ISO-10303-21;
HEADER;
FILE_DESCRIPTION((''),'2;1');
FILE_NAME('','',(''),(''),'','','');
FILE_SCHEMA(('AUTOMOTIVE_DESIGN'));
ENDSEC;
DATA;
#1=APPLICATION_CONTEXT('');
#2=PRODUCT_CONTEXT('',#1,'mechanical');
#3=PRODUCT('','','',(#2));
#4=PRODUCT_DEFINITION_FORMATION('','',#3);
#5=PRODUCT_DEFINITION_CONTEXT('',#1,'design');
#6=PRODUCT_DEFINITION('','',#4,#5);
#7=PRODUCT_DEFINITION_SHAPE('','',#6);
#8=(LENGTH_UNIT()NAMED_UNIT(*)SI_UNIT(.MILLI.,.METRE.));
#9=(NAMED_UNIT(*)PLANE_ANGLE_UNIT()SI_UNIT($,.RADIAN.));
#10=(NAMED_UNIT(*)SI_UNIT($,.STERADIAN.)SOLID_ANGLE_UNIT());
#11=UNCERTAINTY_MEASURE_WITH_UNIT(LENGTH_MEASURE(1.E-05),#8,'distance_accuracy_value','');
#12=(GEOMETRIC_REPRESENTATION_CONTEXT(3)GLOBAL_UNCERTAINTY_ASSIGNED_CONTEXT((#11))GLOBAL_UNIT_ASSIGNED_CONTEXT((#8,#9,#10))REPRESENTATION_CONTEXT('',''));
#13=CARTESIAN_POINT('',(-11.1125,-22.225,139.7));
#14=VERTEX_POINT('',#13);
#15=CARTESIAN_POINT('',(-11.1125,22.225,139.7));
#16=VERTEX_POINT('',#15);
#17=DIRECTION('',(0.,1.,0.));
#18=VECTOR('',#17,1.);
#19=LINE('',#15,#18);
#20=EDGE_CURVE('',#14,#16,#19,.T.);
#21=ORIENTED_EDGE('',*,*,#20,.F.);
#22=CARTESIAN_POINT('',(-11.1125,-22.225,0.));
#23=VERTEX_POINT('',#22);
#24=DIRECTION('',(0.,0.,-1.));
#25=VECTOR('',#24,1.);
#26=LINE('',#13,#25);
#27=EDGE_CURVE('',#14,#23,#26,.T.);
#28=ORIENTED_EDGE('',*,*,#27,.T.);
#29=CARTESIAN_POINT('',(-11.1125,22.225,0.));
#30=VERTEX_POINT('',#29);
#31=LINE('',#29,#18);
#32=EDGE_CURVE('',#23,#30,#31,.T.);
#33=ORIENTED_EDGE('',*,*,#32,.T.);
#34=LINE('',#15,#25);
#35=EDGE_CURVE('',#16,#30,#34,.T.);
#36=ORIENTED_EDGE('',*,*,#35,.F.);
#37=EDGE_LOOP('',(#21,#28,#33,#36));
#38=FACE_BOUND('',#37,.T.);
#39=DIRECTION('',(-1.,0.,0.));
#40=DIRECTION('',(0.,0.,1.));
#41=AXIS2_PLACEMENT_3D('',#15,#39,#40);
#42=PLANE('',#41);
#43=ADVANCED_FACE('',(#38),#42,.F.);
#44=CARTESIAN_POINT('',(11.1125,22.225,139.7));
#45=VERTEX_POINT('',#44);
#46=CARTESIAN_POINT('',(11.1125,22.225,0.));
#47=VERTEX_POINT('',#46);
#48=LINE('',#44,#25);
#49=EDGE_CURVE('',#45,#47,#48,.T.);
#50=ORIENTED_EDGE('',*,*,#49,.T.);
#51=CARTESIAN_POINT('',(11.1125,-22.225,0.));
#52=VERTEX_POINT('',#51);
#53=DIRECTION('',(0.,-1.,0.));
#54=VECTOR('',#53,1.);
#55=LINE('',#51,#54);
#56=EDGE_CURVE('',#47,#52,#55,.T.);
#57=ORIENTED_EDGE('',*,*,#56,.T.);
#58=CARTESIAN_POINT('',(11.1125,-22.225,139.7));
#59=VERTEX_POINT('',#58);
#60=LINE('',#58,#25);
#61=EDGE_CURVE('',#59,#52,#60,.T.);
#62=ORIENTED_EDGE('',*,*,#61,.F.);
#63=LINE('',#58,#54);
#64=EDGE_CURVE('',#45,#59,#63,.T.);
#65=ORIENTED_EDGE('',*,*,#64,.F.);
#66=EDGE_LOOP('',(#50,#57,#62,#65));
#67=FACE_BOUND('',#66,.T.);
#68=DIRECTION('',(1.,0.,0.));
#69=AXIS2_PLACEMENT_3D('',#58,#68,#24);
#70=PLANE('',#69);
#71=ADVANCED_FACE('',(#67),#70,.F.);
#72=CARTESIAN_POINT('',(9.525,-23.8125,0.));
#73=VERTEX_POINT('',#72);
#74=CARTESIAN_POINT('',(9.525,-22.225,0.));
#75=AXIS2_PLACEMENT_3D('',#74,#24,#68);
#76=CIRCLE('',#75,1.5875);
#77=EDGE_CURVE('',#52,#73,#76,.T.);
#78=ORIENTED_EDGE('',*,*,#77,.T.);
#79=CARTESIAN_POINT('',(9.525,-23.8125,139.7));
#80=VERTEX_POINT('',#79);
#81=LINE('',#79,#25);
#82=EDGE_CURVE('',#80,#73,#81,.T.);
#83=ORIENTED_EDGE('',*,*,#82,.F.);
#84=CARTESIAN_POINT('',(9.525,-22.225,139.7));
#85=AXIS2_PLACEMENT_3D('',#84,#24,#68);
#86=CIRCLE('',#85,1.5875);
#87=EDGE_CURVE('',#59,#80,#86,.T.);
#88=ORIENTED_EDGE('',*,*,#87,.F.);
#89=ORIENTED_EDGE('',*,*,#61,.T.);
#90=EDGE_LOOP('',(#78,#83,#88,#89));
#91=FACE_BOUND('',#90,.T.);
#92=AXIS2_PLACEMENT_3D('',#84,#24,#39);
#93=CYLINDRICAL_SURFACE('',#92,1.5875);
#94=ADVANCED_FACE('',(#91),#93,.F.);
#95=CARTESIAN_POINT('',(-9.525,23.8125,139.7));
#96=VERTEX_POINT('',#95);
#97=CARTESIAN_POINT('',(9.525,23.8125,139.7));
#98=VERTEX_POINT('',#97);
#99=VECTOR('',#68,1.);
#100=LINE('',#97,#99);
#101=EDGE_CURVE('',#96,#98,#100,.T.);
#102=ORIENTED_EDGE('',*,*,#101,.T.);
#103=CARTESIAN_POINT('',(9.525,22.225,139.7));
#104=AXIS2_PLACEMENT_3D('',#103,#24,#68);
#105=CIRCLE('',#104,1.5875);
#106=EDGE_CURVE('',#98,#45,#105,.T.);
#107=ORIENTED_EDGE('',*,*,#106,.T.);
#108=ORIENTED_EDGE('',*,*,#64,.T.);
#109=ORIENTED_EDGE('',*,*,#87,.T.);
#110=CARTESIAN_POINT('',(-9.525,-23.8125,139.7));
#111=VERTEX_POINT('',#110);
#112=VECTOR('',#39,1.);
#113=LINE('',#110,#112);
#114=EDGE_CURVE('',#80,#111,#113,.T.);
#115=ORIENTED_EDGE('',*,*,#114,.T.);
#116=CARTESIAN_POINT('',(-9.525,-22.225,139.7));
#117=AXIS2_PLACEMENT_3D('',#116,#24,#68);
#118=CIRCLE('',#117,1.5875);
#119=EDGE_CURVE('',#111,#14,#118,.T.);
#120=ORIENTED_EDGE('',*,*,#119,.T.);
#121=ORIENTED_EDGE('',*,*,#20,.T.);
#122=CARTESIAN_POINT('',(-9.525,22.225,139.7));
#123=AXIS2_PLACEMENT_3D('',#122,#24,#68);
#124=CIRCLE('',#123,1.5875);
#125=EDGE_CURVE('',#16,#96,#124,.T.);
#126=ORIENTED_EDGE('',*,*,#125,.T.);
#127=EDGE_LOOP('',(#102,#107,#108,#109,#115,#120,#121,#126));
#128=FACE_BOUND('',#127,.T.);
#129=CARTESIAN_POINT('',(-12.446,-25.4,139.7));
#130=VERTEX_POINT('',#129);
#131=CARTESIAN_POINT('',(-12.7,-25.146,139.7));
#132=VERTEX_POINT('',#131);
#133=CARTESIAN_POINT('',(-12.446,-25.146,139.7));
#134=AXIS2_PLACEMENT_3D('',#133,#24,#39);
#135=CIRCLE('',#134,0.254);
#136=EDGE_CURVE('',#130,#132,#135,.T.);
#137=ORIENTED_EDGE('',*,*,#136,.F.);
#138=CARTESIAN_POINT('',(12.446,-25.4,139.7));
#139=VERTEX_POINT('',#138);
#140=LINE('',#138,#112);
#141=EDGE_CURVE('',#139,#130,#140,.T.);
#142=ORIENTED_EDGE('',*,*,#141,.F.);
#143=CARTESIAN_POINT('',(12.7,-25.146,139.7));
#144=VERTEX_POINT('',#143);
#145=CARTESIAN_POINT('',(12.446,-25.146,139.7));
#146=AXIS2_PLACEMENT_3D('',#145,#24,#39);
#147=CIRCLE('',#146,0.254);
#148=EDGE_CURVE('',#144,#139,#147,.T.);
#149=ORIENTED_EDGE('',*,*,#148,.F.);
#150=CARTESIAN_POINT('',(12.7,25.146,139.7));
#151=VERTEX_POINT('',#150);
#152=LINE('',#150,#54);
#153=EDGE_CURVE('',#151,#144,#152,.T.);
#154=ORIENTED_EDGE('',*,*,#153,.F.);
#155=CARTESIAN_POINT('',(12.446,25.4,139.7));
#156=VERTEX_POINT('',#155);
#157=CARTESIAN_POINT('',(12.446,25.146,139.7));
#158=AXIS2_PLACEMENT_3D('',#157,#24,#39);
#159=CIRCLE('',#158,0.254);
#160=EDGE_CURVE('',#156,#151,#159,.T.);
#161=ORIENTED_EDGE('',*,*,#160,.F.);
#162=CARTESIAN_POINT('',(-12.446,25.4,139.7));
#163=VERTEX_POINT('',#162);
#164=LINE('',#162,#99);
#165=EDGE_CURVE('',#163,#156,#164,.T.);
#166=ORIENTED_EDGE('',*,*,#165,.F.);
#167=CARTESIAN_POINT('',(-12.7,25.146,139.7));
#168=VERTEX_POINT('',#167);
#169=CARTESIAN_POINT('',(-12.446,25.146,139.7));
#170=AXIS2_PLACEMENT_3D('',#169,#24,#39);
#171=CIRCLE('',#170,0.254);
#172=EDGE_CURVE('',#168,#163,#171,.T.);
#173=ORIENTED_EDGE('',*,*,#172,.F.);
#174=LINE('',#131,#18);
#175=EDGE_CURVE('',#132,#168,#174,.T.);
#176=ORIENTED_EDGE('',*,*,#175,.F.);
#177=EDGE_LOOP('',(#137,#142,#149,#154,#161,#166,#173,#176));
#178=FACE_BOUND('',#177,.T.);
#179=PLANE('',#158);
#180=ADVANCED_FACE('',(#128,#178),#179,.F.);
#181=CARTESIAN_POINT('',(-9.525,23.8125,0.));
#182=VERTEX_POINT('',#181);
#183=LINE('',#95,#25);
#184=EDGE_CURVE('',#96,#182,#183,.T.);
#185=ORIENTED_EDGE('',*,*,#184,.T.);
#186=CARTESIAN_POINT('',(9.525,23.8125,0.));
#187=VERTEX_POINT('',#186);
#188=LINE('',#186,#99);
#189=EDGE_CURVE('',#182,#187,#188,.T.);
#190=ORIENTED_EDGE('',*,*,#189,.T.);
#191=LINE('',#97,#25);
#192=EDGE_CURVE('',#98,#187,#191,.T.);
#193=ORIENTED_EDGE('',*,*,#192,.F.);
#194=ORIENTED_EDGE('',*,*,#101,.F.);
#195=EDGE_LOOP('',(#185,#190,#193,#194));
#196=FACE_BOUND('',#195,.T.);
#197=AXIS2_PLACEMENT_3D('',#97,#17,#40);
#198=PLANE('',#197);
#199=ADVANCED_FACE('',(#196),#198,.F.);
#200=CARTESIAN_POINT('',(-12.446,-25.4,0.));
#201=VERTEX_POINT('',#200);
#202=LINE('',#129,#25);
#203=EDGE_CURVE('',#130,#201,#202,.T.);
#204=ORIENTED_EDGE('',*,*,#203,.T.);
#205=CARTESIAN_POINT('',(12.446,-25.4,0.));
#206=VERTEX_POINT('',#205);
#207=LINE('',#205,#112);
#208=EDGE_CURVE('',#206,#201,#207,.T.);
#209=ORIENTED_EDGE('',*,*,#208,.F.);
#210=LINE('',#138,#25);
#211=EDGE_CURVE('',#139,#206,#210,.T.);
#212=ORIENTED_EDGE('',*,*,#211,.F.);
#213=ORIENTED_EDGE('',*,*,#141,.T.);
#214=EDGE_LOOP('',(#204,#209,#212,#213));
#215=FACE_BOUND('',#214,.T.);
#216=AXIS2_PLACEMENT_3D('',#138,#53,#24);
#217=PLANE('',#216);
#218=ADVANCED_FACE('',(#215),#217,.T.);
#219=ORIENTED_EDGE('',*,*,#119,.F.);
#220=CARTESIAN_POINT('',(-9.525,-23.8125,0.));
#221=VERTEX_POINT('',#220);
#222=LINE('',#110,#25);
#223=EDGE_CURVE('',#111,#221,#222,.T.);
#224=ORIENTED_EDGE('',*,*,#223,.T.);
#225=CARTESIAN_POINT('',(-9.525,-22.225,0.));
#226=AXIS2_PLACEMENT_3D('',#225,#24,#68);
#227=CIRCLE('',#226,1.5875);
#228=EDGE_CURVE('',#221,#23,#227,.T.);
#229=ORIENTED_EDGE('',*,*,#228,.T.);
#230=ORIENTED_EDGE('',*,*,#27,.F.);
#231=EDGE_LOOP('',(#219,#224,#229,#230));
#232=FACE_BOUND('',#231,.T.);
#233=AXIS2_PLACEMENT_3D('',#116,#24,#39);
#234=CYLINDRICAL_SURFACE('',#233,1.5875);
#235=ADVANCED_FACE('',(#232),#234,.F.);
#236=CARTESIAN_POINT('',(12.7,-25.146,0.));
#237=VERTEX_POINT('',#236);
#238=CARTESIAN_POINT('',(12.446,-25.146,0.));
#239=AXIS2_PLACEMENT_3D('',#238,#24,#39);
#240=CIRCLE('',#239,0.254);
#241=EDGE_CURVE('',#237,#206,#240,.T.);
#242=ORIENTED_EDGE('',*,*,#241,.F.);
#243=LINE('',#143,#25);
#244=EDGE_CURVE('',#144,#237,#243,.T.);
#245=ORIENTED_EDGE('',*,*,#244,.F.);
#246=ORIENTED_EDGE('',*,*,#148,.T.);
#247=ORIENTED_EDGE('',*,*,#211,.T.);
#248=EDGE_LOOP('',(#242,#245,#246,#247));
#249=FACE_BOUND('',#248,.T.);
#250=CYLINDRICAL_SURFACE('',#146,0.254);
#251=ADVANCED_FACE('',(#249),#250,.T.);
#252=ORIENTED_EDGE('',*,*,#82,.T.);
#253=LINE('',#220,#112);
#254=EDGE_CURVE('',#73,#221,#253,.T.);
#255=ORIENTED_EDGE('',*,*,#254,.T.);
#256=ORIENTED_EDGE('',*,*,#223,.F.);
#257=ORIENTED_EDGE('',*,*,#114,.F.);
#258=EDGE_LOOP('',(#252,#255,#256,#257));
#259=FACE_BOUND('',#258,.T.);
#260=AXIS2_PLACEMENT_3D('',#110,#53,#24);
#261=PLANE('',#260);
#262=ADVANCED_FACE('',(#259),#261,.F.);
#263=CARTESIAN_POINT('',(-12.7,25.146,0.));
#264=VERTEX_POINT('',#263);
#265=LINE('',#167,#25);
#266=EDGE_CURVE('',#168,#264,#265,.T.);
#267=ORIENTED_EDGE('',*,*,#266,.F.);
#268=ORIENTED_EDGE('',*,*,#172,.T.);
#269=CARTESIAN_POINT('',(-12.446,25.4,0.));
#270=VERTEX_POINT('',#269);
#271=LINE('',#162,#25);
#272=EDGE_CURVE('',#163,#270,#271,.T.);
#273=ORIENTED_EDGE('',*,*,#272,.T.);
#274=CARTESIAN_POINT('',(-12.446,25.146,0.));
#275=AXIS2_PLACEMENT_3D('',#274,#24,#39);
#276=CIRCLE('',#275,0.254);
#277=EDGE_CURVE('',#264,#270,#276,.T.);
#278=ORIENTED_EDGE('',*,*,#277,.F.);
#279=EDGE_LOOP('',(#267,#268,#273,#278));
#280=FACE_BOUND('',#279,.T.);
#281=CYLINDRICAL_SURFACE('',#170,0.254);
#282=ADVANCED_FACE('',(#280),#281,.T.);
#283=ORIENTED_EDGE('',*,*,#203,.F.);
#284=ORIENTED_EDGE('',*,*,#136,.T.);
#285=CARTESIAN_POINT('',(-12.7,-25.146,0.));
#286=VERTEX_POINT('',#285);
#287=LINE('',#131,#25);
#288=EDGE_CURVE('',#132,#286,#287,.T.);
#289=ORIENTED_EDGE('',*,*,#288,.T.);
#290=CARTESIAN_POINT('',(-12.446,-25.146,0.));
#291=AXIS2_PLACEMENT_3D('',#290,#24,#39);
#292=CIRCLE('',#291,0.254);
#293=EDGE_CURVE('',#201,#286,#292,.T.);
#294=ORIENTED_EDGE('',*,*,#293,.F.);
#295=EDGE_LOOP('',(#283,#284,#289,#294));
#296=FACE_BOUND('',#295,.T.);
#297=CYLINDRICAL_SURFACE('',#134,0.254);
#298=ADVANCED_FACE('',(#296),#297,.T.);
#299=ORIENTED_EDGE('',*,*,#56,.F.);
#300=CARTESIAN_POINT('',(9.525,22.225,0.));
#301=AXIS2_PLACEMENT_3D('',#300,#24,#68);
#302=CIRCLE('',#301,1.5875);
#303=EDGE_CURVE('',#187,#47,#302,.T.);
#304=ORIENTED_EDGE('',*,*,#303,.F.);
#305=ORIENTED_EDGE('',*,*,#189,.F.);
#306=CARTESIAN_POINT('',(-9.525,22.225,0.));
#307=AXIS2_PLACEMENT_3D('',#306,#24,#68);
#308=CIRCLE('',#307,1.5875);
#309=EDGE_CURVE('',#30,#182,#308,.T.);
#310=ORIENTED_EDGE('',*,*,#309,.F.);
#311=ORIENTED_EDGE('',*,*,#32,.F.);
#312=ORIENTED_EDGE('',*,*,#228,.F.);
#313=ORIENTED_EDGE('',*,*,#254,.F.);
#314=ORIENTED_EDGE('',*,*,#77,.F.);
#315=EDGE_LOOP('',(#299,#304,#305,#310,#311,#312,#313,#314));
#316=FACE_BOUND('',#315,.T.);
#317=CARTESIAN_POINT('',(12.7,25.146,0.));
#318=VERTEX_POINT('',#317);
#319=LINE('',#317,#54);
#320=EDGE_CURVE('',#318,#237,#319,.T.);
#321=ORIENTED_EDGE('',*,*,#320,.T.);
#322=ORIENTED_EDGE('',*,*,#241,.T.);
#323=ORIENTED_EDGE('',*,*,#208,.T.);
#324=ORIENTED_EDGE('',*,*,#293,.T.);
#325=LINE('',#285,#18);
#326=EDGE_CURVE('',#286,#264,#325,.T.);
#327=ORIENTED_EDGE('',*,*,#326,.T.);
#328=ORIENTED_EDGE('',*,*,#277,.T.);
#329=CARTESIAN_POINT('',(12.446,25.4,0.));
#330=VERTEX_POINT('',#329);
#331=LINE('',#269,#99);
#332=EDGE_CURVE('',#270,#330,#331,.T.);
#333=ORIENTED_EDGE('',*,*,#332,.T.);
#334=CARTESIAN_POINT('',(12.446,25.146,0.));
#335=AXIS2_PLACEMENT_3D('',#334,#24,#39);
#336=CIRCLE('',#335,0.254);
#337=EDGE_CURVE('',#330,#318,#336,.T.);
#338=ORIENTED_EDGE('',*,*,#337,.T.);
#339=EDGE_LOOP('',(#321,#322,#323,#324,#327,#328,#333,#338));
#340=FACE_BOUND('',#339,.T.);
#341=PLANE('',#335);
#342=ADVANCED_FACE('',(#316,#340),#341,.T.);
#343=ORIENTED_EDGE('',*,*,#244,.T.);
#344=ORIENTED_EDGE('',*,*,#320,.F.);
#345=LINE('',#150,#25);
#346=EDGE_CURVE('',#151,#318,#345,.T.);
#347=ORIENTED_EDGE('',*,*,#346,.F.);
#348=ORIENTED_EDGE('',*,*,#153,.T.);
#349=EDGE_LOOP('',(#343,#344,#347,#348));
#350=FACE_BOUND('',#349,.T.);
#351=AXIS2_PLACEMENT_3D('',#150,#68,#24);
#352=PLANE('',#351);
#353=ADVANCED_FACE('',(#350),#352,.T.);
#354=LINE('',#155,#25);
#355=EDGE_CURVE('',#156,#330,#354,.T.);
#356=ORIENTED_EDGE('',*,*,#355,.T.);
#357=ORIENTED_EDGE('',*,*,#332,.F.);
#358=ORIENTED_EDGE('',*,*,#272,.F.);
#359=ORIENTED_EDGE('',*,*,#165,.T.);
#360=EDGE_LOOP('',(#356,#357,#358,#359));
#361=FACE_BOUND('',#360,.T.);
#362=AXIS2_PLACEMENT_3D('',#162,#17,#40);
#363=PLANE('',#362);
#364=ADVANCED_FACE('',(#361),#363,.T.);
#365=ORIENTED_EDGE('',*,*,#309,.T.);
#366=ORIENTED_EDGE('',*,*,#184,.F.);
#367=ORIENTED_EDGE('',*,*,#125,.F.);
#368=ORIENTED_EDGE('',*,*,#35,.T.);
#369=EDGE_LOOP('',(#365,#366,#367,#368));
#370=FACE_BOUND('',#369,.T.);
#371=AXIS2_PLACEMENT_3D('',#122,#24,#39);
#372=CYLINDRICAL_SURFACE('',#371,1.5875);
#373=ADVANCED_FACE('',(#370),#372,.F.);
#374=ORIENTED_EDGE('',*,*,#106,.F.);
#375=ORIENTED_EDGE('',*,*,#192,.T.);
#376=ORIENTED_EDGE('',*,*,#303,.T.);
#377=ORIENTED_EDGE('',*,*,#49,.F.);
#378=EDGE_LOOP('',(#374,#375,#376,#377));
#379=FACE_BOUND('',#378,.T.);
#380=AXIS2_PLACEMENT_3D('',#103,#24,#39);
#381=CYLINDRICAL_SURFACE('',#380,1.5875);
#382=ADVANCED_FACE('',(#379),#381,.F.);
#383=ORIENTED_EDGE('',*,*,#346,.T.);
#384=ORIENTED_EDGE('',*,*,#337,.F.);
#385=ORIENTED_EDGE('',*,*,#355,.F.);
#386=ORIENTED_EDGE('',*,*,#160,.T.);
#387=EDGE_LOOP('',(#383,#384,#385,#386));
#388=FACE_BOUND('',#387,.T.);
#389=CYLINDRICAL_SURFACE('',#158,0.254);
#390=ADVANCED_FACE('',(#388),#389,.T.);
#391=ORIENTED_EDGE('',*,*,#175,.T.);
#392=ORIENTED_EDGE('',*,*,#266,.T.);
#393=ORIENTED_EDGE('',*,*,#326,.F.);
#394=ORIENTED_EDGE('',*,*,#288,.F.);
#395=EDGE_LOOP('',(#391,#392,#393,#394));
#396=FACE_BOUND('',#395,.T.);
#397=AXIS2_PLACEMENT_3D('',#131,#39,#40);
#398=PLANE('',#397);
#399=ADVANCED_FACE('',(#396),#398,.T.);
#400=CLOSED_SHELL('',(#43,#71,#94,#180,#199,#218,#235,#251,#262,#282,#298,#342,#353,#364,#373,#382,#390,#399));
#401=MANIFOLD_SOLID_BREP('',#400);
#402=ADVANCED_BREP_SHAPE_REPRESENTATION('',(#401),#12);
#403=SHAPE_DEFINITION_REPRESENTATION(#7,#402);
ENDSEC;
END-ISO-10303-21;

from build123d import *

# Parameters (mm, degrees)
BOSS_EXTRUDE1_DEPTH = 139.7


with BuildPart() as part:
    # Sketch1 → Boss-Extrude1 (new body)
    with BuildSketch(Plane(origin=(0, 0, 0), x_dir=(-1, 0, 0), z_dir=(0, 0, -1))):
        with BuildLine():
            Line((-12.7, 25.146), (-12.7, -25.146))
            ThreePointArc((-12.7, -25.146), (-12.625605122, -25.325605122), (-12.446, -25.4))
            Line((-12.446, -25.4), (12.446, -25.4))
            ThreePointArc((12.446, -25.4), (12.625605122, -25.325605122), (12.7, -25.146))
            Line((12.7, -25.146), (12.7, 25.146))
            ThreePointArc((12.7, 25.146), (12.625605122, 25.325605122), (12.446, 25.4))
            Line((12.446, 25.4), (-12.446, 25.4))
            ThreePointArc((-12.446, 25.4), (-12.625605122, 25.325605122), (-12.7, 25.146))
        make_face()
        with BuildLine():
            Line((-11.1125, -22.225), (-11.1125, 22.225))
            ThreePointArc((-11.1125, 22.225), (-10.647532015, 23.347532015), (-9.525, 23.8125))
            Line((-9.525, 23.8125), (9.525, 23.8125))
            ThreePointArc((9.525, 23.8125), (10.647532015, 23.347532015), (11.1125, 22.225))
            Line((11.1125, 22.225), (11.1125, -22.225))
            ThreePointArc((11.1125, -22.225), (10.647532015, -23.347532015), (9.525, -23.8125))
            Line((9.525, -23.8125), (-9.525, -23.8125))
            ThreePointArc((-9.525, -23.8125), (-10.647532015, -23.347532015), (-11.1125, -22.225))
        make_face(mode=Mode.SUBTRACT)
    extrude(amount=-BOSS_EXTRUDE1_DEPTH)


solid = part.part
